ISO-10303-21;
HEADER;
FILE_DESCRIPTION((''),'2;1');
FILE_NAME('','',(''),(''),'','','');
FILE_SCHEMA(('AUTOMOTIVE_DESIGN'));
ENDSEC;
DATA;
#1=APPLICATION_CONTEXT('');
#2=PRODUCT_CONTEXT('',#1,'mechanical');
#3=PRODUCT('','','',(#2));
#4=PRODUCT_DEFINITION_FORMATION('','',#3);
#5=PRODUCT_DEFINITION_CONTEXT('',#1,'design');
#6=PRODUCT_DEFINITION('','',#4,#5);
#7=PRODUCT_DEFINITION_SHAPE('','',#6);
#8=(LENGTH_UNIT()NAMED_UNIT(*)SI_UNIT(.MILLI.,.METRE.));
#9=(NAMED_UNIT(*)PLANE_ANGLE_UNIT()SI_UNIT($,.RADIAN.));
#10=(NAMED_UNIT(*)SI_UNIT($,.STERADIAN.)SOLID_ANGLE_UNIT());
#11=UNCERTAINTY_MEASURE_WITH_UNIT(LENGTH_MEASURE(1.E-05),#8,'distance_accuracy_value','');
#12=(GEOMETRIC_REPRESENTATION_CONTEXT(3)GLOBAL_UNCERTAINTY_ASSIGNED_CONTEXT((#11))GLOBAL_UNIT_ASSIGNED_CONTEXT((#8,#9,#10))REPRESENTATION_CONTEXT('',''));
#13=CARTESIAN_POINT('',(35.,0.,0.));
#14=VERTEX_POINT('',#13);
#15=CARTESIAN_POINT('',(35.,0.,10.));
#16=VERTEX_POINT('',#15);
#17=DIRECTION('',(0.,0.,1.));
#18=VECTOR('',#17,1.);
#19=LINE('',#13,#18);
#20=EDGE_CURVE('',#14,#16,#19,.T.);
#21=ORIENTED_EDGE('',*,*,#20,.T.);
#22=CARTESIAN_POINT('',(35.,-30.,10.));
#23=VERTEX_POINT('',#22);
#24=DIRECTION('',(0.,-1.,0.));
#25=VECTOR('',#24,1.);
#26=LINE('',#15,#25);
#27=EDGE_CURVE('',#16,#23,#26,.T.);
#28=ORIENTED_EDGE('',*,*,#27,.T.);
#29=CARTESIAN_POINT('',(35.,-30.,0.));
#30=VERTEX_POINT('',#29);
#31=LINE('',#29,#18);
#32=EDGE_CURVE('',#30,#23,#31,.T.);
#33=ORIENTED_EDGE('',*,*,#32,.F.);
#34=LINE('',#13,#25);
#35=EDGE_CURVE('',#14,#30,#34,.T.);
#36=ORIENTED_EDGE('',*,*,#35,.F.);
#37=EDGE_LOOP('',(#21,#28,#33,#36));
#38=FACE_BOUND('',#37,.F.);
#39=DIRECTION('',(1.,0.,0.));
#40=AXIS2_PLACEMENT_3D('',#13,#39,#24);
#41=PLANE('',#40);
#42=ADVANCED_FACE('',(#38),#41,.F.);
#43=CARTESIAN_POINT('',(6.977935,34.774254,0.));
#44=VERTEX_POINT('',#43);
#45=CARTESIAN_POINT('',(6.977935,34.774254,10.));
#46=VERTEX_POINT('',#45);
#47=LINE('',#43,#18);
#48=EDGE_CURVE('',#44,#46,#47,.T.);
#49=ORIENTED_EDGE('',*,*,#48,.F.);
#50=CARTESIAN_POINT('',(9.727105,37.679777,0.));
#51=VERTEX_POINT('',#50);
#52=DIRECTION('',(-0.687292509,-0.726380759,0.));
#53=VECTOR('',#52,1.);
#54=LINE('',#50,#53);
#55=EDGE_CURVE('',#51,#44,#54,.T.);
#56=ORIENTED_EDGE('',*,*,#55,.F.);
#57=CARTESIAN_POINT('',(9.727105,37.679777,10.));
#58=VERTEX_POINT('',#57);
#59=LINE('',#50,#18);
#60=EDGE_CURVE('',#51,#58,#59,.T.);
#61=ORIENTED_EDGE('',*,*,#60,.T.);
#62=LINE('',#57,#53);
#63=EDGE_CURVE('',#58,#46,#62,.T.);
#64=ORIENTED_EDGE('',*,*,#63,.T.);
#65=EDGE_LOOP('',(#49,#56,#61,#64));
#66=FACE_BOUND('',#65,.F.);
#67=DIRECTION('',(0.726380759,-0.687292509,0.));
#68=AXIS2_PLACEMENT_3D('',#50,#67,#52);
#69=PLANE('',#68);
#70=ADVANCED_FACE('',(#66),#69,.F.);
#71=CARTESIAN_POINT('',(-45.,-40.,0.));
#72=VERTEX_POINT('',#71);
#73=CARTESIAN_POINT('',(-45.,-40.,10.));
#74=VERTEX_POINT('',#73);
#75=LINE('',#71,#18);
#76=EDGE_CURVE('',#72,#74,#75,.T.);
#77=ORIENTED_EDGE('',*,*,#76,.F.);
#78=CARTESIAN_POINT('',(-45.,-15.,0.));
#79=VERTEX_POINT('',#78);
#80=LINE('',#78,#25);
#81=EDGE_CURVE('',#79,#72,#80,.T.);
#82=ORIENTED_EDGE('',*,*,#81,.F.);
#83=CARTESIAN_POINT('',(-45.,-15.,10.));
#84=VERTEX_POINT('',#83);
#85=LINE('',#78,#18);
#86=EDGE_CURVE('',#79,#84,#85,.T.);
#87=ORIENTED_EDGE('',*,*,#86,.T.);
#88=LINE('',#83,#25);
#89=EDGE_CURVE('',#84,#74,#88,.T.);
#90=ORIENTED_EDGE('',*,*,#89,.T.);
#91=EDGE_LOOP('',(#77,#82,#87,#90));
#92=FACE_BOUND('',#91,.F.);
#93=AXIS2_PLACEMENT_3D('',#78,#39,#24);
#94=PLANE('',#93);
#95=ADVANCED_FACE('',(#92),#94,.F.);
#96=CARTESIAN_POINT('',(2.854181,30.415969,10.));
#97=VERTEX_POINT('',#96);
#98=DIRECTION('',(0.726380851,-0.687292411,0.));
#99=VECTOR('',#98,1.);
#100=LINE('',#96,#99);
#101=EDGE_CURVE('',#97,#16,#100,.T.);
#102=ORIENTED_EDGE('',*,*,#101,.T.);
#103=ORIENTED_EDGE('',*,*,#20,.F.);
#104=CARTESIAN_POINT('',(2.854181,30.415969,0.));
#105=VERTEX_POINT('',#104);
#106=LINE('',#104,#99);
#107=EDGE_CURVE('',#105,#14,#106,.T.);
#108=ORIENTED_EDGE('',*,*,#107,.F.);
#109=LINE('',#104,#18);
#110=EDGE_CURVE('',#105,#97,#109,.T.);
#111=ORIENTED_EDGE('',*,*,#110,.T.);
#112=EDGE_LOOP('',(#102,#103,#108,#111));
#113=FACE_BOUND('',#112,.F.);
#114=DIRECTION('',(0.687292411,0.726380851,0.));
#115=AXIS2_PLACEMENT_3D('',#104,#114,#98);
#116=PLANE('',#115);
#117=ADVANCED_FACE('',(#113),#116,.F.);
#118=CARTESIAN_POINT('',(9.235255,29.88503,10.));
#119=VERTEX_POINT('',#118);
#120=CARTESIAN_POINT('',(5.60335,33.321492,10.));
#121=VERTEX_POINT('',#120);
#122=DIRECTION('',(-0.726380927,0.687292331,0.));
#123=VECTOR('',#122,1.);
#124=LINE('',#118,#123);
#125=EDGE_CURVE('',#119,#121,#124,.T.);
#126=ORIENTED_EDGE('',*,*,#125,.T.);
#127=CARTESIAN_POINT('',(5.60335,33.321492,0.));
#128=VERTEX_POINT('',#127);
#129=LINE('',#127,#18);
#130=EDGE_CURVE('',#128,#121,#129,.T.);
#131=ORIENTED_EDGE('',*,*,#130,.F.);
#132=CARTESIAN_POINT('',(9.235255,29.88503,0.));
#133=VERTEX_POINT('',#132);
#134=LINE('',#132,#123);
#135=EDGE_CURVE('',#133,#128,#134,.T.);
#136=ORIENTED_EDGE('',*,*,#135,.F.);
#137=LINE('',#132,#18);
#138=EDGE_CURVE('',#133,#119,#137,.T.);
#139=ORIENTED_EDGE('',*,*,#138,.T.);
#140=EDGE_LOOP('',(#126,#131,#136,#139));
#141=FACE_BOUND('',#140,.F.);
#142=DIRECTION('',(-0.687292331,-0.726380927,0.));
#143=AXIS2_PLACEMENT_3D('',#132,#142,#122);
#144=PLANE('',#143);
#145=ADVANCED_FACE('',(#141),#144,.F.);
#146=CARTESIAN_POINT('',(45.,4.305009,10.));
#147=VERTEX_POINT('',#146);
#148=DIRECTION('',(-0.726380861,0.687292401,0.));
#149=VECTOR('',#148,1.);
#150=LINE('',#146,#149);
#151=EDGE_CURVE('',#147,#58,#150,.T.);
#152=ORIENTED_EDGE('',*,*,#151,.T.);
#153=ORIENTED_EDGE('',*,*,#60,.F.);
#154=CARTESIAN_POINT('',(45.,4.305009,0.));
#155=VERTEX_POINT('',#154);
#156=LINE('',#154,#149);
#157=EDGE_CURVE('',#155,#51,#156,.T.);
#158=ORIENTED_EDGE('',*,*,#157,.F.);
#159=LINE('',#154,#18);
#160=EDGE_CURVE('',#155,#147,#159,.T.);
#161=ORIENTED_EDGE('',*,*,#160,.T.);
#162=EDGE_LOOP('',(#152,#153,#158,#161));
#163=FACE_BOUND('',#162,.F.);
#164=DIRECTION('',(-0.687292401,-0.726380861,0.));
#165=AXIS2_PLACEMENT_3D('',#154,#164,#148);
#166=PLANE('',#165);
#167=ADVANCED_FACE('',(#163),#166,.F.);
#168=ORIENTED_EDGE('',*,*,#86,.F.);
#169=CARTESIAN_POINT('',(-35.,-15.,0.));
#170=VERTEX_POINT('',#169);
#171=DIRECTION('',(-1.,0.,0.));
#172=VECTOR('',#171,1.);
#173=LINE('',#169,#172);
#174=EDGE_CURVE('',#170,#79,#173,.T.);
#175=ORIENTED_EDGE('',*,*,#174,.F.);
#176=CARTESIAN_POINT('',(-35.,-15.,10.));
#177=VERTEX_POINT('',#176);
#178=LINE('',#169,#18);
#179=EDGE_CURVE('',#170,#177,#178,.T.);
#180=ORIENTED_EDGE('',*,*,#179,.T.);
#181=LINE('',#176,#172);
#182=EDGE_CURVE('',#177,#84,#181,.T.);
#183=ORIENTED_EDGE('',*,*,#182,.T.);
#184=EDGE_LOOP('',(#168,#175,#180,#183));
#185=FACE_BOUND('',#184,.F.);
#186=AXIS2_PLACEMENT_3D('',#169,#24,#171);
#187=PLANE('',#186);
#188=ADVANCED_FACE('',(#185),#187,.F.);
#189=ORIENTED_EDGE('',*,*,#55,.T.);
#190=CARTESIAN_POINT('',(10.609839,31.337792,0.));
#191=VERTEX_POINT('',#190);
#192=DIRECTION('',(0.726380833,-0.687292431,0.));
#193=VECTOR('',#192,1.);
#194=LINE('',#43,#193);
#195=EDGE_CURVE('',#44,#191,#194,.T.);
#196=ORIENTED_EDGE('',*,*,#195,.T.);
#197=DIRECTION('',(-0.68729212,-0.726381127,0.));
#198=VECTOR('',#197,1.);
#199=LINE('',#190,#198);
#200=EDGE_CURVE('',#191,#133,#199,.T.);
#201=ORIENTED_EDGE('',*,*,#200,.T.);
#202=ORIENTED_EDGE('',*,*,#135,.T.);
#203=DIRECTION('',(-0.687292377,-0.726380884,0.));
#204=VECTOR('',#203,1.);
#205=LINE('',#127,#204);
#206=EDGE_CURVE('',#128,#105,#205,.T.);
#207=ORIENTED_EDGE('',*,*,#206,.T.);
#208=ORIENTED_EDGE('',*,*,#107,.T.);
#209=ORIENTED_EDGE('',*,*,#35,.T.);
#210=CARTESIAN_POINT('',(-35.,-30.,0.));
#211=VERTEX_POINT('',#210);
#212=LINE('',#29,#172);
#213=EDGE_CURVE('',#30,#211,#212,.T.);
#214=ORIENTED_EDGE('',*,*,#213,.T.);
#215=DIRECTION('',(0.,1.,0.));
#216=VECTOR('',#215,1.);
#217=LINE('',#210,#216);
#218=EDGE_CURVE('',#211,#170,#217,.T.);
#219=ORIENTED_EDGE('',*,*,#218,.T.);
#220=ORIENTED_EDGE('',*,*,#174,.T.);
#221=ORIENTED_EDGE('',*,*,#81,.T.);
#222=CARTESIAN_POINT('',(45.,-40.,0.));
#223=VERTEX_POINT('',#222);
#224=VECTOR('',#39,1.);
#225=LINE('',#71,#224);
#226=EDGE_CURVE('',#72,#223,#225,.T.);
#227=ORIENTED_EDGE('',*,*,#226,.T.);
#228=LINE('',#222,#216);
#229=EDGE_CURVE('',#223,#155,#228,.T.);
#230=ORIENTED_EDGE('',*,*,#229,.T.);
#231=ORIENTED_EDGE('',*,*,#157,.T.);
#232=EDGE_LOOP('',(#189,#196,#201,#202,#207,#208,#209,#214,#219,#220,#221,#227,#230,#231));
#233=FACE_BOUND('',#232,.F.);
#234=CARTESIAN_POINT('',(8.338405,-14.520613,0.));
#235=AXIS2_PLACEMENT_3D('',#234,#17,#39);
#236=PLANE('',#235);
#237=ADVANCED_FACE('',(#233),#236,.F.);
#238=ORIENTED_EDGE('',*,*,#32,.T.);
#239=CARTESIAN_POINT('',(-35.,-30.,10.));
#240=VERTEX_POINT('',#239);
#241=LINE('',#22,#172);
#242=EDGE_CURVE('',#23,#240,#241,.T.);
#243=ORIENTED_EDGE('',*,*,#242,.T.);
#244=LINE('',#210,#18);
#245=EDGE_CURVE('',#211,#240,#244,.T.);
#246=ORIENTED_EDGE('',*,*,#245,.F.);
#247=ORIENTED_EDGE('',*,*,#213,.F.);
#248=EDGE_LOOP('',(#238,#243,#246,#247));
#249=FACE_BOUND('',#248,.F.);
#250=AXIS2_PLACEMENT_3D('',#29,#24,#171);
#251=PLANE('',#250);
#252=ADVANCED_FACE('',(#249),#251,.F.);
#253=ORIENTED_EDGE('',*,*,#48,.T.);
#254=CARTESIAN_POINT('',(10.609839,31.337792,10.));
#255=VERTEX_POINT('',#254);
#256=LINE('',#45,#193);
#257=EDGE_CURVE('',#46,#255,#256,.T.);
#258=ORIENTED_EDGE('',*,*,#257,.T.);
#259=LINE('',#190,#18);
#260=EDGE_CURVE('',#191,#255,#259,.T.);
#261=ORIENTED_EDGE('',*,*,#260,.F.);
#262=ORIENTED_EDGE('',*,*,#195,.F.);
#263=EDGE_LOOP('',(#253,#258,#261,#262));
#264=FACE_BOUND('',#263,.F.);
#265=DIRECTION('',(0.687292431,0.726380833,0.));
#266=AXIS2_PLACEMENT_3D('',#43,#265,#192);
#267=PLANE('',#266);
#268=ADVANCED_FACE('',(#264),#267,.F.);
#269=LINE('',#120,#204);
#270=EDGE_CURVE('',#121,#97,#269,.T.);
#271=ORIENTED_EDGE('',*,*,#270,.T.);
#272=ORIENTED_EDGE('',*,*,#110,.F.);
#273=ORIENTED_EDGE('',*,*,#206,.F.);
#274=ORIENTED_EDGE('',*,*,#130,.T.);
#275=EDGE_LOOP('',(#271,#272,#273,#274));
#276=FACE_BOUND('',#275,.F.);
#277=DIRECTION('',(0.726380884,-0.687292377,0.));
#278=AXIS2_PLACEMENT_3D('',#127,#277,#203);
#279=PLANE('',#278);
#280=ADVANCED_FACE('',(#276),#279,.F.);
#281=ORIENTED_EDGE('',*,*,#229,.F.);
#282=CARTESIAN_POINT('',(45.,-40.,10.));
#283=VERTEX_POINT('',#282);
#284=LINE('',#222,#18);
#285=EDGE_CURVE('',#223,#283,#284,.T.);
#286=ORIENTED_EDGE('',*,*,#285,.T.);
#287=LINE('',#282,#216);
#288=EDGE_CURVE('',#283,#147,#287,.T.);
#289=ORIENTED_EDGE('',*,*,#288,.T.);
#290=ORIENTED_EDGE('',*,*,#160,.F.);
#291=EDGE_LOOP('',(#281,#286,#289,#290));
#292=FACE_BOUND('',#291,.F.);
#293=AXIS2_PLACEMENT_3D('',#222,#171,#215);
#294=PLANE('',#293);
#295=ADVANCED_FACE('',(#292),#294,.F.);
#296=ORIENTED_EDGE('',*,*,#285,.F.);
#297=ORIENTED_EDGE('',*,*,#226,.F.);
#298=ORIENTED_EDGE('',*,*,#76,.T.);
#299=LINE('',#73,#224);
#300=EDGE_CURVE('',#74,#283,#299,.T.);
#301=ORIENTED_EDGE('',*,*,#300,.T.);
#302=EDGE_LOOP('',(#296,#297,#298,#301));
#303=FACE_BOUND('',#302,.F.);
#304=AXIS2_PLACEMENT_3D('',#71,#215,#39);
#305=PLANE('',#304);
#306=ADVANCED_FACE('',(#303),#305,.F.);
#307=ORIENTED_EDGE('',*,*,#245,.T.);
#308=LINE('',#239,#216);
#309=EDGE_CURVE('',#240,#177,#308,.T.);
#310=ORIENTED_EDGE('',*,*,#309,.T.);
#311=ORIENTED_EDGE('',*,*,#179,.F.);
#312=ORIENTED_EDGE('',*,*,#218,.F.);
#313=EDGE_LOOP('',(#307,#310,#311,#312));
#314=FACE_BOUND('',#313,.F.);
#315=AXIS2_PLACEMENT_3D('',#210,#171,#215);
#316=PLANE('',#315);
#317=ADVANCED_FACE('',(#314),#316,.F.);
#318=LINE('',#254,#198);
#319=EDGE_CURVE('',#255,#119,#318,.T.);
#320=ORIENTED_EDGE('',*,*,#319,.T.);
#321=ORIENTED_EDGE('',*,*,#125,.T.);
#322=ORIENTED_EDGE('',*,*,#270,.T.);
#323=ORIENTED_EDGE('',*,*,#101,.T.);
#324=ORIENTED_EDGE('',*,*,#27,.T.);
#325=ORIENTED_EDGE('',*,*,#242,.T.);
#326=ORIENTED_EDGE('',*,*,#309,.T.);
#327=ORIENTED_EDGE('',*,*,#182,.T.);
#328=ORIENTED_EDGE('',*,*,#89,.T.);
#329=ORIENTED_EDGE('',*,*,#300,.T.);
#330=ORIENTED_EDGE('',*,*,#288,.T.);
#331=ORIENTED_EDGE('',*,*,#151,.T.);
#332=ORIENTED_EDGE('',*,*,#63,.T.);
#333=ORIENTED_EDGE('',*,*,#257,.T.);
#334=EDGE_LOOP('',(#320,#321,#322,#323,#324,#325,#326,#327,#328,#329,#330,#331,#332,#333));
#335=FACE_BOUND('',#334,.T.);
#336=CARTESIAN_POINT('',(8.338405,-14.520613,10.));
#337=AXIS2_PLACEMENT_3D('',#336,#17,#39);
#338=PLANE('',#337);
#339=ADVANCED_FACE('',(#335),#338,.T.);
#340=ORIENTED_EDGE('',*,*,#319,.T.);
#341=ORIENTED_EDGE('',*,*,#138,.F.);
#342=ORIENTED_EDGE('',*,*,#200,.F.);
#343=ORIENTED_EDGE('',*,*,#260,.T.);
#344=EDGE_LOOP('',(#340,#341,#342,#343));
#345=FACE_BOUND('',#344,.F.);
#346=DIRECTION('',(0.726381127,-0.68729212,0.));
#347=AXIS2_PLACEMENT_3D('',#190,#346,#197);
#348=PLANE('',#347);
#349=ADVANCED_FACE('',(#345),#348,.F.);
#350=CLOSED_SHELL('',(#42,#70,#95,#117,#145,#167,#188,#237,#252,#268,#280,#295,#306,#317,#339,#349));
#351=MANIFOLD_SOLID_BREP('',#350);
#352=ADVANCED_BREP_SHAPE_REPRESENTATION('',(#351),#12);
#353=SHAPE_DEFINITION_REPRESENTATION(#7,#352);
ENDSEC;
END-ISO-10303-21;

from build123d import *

# Parameters (mm, degrees)
F1_DEPTH = 10


with BuildPart() as f1:
    # F0 (on Top) → F1 (new body)
    with BuildSketch(Plane.XY):
        Polygon((-45, -40), (0, -40), (45, -40), (45, 0), (45, 4.305009), (9.727105, 37.679777), (6.977935, 34.774254), (10.609839, 31.337792), (9.235255, 29.88503), (5.60335, 33.321492), (2.854181, 30.415969), (35, 0), (35, -30), (-35, -30), (-35, -15), (-45, -15), align=None)
    extrude(amount=F1_DEPTH)


solid = f1.part
